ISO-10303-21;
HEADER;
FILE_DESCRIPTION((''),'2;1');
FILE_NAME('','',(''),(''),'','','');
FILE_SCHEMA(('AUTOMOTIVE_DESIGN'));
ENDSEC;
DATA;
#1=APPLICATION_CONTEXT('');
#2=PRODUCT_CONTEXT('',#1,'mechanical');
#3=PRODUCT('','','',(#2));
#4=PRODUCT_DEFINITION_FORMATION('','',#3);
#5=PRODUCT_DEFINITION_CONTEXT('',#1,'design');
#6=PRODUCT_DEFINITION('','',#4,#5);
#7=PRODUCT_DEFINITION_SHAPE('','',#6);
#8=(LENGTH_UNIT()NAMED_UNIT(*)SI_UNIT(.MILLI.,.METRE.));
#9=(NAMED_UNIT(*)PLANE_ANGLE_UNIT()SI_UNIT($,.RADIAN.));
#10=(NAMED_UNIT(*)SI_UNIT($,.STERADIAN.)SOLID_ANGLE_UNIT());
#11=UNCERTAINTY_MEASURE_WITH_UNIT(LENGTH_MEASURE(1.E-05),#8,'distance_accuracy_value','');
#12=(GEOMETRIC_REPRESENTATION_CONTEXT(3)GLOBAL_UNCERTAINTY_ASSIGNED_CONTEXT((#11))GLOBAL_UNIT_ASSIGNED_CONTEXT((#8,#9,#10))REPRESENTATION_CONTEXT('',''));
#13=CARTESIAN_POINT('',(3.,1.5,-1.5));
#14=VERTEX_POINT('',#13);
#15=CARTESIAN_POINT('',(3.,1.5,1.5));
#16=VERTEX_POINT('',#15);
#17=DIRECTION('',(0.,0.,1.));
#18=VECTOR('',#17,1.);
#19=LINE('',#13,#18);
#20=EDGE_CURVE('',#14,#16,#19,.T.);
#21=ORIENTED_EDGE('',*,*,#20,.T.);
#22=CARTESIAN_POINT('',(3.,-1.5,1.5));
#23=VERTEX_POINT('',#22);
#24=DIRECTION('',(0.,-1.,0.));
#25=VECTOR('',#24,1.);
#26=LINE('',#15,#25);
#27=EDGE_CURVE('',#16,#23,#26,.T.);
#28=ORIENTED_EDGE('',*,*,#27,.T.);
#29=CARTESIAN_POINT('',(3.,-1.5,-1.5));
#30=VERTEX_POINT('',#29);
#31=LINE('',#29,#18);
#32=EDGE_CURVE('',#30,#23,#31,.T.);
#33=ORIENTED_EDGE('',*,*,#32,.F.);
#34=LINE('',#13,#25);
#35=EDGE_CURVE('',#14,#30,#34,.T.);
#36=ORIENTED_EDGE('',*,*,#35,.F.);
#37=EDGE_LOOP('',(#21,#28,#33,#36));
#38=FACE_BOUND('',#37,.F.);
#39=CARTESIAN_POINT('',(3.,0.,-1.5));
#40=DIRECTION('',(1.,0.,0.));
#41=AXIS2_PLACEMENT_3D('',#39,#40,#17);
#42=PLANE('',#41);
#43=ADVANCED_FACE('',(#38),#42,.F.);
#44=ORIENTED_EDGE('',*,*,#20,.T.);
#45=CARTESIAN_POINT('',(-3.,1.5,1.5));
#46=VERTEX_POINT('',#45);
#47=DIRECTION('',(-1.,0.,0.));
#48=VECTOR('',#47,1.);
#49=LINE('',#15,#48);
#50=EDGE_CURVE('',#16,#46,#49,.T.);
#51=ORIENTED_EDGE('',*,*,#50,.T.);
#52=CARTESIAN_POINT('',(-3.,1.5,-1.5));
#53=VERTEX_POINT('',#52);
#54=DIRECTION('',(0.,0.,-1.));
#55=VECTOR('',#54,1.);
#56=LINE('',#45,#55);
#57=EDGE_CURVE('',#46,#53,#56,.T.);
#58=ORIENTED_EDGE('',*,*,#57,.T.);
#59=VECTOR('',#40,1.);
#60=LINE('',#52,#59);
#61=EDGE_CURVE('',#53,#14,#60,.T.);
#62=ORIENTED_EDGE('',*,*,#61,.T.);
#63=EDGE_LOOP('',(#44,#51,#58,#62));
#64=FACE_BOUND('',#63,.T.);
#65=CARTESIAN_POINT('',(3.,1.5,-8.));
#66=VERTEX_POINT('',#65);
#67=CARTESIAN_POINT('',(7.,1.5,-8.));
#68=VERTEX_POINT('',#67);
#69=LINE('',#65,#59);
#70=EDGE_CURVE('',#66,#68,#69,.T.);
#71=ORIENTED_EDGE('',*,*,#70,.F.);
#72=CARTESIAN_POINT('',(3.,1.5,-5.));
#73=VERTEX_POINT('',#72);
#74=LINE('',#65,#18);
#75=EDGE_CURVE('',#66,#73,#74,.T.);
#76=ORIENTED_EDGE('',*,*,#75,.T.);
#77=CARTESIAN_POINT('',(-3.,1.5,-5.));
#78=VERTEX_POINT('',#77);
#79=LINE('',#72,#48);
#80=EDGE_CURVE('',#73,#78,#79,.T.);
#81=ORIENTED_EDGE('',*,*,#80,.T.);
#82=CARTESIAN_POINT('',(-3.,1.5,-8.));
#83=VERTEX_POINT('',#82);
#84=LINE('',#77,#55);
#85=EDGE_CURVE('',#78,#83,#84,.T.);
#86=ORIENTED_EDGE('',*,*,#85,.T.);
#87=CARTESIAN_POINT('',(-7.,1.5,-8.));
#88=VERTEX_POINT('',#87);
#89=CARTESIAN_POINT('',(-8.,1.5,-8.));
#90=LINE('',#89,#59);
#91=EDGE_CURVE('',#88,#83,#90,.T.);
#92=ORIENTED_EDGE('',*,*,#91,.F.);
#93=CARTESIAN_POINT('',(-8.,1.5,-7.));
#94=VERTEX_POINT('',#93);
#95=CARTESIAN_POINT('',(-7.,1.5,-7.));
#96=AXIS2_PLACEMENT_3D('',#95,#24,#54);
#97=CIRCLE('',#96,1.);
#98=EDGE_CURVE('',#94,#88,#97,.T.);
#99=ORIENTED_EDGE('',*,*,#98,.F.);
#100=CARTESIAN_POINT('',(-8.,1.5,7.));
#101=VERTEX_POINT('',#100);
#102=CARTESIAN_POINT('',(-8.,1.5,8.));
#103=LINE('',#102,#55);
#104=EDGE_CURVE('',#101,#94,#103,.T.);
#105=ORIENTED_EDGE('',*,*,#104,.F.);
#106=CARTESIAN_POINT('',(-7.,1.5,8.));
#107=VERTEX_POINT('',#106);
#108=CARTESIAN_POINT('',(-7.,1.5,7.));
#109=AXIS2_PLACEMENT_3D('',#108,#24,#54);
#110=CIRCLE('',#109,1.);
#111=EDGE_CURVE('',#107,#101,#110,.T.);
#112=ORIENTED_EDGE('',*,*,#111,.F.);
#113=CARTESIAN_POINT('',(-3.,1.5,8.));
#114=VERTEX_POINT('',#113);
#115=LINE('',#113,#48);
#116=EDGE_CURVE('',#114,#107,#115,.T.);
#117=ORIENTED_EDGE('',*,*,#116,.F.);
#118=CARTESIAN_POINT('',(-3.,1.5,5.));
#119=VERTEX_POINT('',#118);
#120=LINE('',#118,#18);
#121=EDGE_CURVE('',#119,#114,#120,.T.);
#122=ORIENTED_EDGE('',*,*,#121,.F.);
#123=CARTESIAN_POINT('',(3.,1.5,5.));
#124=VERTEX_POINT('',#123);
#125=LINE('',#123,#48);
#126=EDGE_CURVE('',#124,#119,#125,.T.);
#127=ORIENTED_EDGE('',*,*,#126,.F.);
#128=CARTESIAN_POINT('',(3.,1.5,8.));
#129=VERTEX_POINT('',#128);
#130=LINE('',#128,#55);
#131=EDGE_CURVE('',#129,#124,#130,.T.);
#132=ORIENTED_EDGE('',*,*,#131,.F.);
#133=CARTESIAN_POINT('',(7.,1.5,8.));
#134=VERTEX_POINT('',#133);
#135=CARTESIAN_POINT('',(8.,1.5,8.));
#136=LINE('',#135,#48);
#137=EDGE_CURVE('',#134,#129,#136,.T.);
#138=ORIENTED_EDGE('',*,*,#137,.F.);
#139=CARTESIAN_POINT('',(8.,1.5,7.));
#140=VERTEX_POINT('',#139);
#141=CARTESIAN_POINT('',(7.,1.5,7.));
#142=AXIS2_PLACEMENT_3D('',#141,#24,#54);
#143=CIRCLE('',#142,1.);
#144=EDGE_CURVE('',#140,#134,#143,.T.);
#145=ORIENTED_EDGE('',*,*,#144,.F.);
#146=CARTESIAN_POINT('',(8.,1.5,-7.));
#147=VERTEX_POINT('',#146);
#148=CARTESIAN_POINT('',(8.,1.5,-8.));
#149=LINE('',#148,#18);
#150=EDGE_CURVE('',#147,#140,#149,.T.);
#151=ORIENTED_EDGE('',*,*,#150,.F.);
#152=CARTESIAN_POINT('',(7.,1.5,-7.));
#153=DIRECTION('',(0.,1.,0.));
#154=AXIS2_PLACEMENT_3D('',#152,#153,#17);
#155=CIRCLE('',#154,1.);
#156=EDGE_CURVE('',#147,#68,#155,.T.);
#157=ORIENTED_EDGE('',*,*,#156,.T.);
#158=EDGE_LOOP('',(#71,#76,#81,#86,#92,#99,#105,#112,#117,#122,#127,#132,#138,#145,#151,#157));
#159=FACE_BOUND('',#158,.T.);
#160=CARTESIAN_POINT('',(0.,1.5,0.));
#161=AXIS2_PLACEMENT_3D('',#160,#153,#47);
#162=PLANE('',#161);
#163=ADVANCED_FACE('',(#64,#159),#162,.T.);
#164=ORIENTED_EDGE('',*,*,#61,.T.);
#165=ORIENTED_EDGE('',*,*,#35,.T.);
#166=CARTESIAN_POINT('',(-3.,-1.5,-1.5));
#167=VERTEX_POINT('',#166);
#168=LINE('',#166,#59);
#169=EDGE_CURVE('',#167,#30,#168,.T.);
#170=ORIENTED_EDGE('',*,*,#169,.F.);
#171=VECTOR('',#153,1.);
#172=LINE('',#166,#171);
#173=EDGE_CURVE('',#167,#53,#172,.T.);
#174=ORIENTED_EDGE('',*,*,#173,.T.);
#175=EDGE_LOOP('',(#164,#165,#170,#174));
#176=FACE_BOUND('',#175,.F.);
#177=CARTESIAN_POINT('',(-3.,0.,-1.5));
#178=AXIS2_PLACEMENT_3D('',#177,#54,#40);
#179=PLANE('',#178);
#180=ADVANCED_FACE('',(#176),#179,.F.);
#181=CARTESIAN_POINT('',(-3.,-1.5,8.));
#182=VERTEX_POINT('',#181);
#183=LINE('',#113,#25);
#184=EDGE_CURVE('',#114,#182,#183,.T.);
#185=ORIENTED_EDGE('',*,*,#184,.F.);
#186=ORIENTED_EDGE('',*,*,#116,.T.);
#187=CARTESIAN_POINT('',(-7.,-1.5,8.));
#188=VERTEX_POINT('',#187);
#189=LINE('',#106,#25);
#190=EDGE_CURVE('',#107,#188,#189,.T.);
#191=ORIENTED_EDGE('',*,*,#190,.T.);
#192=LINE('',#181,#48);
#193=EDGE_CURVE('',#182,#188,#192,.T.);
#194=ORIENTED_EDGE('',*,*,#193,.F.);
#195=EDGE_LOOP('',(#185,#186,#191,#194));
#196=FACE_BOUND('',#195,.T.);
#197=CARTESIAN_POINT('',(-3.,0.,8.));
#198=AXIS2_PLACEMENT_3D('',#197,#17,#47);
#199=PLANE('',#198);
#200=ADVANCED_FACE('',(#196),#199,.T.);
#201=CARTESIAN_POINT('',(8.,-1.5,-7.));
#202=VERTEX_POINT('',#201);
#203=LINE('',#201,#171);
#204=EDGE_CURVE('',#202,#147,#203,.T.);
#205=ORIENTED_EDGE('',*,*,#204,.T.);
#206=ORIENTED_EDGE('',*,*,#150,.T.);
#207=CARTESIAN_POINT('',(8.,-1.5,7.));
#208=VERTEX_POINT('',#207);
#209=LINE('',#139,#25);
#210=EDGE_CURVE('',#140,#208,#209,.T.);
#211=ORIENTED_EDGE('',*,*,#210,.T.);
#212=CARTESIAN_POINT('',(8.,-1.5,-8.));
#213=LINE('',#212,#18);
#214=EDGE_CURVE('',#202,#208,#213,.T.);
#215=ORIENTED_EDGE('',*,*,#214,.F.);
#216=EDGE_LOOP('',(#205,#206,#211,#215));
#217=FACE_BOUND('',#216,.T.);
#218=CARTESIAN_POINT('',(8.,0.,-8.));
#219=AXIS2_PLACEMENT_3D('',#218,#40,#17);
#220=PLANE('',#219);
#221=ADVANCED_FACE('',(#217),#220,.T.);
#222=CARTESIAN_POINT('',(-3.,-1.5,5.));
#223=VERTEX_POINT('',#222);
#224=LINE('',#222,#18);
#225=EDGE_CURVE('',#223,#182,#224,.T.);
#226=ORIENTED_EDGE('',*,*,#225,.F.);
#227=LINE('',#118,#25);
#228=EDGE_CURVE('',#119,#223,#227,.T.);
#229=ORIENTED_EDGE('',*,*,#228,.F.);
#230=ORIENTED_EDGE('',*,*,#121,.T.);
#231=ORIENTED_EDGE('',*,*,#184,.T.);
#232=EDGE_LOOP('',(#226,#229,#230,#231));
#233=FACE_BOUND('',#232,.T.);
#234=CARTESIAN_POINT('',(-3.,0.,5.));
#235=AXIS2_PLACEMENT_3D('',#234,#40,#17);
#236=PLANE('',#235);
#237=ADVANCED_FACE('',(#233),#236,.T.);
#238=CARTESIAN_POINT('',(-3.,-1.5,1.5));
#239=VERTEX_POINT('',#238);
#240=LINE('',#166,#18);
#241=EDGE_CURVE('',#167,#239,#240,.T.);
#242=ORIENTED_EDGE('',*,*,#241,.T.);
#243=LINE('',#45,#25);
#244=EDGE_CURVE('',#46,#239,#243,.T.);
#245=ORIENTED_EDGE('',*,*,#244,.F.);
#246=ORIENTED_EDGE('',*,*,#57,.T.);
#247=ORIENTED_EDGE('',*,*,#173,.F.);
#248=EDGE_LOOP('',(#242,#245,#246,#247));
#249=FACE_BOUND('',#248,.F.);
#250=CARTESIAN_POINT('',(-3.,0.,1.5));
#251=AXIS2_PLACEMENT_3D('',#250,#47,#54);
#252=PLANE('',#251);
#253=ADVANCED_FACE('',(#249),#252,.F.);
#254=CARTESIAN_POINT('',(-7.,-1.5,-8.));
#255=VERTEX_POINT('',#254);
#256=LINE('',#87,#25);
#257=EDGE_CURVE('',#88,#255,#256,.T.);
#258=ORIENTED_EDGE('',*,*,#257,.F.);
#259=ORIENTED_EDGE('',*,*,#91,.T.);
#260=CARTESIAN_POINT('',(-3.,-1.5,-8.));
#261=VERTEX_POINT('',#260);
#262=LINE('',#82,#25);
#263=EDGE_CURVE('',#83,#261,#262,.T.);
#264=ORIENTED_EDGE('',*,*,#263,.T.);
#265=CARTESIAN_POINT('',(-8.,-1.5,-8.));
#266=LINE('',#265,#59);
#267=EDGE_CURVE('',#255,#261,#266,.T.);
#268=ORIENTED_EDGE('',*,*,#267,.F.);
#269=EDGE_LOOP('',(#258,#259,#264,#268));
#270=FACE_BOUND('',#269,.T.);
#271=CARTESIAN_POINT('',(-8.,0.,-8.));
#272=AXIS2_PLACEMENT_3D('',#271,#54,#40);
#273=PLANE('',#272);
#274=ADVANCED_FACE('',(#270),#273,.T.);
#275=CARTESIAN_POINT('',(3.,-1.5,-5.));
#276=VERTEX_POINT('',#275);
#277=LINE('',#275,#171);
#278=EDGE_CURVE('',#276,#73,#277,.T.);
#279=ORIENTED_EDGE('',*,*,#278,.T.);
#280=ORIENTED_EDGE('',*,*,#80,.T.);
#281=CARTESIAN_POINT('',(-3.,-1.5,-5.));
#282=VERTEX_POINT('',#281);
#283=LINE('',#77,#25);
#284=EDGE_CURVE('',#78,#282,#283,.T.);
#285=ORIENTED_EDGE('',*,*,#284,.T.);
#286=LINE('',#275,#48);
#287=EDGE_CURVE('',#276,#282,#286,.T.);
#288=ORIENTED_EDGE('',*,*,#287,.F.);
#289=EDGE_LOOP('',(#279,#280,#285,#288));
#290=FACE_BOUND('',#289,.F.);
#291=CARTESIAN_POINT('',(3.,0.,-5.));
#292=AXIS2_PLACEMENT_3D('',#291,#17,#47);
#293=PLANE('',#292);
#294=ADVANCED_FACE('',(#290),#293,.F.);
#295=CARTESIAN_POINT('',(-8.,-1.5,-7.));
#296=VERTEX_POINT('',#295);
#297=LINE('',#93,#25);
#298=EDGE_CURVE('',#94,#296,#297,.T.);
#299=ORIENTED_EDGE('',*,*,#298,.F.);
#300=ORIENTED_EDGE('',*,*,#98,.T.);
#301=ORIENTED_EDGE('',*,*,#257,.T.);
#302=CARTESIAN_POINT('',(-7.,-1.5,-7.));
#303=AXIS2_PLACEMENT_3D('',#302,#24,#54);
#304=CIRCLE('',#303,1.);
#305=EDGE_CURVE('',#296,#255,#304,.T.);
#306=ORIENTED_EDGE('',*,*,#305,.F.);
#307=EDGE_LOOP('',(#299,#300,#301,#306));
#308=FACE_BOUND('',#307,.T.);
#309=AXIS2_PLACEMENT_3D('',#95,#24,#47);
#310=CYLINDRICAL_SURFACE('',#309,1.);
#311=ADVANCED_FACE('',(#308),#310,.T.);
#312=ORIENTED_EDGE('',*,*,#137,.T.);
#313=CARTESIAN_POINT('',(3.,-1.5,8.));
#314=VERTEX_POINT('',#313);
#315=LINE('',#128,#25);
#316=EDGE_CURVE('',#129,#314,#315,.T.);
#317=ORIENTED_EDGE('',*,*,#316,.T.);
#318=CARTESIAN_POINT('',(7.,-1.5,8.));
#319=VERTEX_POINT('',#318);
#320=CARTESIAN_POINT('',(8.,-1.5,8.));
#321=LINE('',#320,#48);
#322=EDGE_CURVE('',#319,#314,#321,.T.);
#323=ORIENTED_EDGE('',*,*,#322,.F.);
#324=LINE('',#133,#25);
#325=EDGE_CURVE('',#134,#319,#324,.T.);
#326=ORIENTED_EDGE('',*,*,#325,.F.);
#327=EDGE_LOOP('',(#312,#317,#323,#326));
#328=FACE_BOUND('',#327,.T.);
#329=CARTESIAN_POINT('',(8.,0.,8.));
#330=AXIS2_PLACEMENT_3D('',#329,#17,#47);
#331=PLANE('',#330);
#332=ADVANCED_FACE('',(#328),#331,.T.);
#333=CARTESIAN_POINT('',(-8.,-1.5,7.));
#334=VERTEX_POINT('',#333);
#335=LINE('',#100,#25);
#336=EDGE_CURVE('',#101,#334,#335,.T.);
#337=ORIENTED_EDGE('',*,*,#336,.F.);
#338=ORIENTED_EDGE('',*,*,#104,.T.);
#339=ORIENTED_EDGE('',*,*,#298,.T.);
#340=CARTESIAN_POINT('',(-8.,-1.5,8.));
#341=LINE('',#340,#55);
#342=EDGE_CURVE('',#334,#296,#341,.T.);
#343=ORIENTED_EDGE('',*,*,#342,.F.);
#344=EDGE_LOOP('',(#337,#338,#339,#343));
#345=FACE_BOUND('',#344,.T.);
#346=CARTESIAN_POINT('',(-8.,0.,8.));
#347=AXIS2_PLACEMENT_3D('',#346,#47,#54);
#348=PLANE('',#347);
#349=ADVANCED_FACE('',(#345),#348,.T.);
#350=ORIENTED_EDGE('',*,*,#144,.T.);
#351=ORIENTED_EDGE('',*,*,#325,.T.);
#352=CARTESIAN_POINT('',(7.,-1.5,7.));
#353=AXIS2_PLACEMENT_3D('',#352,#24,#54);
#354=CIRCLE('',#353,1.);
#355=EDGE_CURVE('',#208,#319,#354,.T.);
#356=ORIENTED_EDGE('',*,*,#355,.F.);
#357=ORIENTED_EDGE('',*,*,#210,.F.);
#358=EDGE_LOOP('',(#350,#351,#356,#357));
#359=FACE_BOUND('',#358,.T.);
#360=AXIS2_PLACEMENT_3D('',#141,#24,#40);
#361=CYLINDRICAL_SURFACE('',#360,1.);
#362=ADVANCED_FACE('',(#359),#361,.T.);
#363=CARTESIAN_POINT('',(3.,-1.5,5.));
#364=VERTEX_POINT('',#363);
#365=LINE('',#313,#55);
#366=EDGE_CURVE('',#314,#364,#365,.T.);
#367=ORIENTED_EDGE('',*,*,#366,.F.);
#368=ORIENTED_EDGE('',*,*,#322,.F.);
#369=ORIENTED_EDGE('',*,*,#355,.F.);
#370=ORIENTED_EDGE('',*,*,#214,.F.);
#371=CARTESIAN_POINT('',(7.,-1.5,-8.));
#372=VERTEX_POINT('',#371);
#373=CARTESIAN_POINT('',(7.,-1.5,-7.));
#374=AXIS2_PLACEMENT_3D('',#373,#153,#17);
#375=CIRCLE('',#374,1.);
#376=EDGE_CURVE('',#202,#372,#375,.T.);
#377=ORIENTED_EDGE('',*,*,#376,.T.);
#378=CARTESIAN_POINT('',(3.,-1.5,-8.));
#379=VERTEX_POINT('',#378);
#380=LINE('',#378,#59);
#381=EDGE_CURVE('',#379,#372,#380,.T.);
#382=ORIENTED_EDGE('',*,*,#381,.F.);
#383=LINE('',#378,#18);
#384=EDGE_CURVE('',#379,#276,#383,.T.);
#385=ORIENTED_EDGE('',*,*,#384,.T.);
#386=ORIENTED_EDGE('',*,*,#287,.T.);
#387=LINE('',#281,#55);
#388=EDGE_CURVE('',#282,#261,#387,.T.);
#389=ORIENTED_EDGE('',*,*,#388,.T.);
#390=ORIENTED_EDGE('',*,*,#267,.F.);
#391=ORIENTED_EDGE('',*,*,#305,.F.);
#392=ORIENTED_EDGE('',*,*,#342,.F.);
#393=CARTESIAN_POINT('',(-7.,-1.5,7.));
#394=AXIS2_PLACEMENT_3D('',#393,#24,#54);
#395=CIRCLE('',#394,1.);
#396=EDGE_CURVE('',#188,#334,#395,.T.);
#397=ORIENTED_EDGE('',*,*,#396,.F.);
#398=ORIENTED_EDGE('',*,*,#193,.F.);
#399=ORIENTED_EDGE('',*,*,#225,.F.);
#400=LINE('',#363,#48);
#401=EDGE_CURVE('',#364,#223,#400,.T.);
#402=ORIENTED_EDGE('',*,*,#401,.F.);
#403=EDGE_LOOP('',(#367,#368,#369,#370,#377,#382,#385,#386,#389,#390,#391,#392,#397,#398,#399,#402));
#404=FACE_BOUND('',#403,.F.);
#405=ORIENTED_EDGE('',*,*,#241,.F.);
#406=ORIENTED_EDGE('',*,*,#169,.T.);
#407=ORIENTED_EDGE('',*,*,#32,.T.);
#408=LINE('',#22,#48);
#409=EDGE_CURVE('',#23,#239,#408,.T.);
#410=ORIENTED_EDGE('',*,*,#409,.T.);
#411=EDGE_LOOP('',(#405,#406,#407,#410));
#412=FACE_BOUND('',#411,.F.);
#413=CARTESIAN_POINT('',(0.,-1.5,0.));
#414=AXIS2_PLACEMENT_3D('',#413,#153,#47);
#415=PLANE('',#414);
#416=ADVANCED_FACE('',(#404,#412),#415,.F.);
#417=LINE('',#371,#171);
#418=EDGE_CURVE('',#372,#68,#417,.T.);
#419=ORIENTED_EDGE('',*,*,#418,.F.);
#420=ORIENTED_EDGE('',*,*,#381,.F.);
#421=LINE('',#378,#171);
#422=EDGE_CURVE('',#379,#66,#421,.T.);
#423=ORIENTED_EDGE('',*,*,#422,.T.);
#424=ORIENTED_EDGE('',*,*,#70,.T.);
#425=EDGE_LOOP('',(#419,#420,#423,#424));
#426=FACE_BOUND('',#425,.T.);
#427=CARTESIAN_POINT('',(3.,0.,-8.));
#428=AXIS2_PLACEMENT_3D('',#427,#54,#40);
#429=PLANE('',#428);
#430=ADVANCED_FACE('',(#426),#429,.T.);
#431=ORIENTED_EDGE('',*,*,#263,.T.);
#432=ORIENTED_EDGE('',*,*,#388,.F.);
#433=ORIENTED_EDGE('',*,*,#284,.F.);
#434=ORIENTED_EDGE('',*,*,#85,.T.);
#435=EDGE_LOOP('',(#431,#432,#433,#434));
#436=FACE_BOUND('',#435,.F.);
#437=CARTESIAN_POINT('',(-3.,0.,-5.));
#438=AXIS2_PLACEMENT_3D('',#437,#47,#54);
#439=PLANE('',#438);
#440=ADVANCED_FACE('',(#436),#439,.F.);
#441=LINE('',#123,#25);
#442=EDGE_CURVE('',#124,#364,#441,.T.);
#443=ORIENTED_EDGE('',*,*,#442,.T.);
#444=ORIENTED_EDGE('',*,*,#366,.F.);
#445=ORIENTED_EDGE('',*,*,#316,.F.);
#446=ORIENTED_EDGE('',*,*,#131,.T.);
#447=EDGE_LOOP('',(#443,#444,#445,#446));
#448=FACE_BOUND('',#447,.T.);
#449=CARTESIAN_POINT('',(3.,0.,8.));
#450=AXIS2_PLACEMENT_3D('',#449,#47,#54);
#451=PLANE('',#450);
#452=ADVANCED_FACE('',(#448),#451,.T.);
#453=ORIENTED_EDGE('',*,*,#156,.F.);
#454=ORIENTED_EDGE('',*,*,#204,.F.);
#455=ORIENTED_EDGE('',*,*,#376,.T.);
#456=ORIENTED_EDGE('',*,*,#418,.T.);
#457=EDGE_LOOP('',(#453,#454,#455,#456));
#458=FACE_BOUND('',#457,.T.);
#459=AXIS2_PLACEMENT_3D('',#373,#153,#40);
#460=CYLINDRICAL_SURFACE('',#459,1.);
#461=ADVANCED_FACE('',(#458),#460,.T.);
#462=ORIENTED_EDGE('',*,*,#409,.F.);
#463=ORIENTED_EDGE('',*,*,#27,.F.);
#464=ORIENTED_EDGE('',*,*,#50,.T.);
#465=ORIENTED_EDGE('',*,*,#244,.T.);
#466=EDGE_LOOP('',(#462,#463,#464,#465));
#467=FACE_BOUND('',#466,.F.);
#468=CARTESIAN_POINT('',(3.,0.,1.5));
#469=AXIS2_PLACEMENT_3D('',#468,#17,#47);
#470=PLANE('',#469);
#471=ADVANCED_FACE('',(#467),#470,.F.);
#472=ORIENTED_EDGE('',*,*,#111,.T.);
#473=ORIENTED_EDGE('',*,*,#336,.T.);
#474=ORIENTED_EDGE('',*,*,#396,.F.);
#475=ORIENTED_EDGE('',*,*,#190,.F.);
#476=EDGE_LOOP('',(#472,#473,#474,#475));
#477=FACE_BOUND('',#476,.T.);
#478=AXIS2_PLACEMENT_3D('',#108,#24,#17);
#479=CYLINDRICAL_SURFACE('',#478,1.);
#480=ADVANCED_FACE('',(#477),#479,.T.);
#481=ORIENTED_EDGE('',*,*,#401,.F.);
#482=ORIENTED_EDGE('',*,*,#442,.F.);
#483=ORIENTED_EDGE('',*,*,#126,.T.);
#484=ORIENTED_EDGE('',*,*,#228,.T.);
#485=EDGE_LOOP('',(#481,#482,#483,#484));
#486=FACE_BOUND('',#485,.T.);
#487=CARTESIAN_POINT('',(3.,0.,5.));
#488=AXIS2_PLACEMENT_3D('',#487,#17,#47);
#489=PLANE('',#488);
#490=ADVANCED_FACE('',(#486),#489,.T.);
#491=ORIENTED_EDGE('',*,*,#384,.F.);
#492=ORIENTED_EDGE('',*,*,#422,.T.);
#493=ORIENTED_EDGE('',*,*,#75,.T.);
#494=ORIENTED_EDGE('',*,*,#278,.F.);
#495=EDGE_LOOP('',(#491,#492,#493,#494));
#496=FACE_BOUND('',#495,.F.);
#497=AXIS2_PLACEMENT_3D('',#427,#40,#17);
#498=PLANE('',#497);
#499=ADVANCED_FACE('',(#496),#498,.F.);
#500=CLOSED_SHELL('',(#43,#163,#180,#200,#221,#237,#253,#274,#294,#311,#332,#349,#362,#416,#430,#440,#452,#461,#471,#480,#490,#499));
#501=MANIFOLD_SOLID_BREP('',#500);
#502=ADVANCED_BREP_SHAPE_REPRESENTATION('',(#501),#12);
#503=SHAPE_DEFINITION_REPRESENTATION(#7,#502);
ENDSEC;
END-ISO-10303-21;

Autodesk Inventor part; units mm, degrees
ref_plane "YZ Plane" through (0, 0, 0) normal (1, 0, 0) x (0, 1, 0)
ref_plane "XZ Plane" through (0, 0, 0) normal (0, 1, 0) x (-1, 0, 0)
ref_plane "XY Plane" through (0, 0, 0) normal (0, 0, 1) x (1, 0, 0)
sketch "Szkic1" plane through (0, 0, 0) normal (0, 1, 0) x (-1, 0, 0)
  line L0 (-8, -8) -> (-8, 8)
  line L1 (8, 8) -> (8, -8)
  line L2 (-3, -8) -> (-3, -5)
  line L3 (-3, -5) -> (3, -5)
  line L4 (3, -5) -> (3, -8)
  line L5 (-3, 8) -> (-3, 5)
  line L6 (-3, 5) -> (3, 5)
  line L7 (3, 5) -> (3, 8)
  line L8 (3, 0) -> (3, -1.5)
  line L9 (3, -1.5) -> (-3, -1.5)
  line L10 (-3, -1.5) -> (-3, 1.5)
  line L11 (-3, 1.5) -> (3, 1.5)
  line L12 (3, 1.5) -> (3, 0)
  line L13 (8, -8) -> (3, -8)
  line L14 (-3, -8) -> (-8, -8)
  line L15 (-8, 8) -> (-3, 8)
  line L16 (3, 8) -> (8, 8)
  point P0 (0, 0)
extrude "Wyciągnięcie proste1" add sketch "Szkic1" along normal mid plane 3
fillet "Zaokrąglenie1" radius 1 4 edges at (-8, 0, -8) (-8, 0, 8) (8, 0, 8) (8, 0, -8)
properties part number "Chwytak wersja 3 - kwadrat_CPY"
